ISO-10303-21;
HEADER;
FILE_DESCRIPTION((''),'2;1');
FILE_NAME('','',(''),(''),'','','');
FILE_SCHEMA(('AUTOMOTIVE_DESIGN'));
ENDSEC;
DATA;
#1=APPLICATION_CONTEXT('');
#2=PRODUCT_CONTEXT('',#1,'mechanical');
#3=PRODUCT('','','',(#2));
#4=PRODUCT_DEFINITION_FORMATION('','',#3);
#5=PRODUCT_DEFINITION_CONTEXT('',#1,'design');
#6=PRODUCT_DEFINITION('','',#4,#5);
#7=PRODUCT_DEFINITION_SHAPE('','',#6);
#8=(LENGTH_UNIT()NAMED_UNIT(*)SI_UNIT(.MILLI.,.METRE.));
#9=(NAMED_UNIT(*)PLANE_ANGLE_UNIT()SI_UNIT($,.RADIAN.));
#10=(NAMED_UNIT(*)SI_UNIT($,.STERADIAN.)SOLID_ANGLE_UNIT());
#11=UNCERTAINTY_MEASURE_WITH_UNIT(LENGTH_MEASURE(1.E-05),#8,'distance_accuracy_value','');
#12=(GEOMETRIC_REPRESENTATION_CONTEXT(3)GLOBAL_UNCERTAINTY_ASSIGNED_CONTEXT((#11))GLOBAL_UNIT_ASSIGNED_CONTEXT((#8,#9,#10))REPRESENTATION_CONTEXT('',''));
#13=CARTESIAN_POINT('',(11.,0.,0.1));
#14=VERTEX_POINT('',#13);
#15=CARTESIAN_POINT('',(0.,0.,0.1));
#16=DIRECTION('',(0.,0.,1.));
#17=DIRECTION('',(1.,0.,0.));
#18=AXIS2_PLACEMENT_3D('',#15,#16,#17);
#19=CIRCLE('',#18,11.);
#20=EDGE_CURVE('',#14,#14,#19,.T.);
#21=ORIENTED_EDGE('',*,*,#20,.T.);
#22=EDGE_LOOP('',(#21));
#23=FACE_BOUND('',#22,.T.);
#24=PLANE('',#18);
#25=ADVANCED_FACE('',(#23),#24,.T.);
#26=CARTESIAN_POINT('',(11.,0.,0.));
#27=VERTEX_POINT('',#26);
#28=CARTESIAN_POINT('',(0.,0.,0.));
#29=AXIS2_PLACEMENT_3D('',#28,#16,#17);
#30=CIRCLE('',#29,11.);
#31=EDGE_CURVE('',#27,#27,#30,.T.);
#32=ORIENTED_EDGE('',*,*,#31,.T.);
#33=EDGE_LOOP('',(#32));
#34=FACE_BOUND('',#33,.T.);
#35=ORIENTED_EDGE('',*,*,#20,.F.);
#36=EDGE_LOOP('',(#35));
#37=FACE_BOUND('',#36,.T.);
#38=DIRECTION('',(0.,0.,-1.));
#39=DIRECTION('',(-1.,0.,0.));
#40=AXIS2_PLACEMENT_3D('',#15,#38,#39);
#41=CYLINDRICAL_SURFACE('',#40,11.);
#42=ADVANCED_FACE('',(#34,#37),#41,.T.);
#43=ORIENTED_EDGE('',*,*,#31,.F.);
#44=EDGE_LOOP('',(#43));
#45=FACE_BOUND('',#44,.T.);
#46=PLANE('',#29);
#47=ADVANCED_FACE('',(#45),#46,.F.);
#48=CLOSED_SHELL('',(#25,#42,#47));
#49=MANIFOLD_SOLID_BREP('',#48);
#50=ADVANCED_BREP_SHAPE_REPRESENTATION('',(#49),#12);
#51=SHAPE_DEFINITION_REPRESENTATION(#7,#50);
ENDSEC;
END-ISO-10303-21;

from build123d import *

# Parameters (mm, degrees)
SKETCH_1_R      = 11
EXTRUDE_1_DEPTH = 0.1


with BuildPart() as part:
    # 草图1 → 凸台-拉伸1 (new body)
    with BuildSketch(Plane.XY):
        Circle(SKETCH_1_R)
    extrude(amount=EXTRUDE_1_DEPTH)


solid = part.part
